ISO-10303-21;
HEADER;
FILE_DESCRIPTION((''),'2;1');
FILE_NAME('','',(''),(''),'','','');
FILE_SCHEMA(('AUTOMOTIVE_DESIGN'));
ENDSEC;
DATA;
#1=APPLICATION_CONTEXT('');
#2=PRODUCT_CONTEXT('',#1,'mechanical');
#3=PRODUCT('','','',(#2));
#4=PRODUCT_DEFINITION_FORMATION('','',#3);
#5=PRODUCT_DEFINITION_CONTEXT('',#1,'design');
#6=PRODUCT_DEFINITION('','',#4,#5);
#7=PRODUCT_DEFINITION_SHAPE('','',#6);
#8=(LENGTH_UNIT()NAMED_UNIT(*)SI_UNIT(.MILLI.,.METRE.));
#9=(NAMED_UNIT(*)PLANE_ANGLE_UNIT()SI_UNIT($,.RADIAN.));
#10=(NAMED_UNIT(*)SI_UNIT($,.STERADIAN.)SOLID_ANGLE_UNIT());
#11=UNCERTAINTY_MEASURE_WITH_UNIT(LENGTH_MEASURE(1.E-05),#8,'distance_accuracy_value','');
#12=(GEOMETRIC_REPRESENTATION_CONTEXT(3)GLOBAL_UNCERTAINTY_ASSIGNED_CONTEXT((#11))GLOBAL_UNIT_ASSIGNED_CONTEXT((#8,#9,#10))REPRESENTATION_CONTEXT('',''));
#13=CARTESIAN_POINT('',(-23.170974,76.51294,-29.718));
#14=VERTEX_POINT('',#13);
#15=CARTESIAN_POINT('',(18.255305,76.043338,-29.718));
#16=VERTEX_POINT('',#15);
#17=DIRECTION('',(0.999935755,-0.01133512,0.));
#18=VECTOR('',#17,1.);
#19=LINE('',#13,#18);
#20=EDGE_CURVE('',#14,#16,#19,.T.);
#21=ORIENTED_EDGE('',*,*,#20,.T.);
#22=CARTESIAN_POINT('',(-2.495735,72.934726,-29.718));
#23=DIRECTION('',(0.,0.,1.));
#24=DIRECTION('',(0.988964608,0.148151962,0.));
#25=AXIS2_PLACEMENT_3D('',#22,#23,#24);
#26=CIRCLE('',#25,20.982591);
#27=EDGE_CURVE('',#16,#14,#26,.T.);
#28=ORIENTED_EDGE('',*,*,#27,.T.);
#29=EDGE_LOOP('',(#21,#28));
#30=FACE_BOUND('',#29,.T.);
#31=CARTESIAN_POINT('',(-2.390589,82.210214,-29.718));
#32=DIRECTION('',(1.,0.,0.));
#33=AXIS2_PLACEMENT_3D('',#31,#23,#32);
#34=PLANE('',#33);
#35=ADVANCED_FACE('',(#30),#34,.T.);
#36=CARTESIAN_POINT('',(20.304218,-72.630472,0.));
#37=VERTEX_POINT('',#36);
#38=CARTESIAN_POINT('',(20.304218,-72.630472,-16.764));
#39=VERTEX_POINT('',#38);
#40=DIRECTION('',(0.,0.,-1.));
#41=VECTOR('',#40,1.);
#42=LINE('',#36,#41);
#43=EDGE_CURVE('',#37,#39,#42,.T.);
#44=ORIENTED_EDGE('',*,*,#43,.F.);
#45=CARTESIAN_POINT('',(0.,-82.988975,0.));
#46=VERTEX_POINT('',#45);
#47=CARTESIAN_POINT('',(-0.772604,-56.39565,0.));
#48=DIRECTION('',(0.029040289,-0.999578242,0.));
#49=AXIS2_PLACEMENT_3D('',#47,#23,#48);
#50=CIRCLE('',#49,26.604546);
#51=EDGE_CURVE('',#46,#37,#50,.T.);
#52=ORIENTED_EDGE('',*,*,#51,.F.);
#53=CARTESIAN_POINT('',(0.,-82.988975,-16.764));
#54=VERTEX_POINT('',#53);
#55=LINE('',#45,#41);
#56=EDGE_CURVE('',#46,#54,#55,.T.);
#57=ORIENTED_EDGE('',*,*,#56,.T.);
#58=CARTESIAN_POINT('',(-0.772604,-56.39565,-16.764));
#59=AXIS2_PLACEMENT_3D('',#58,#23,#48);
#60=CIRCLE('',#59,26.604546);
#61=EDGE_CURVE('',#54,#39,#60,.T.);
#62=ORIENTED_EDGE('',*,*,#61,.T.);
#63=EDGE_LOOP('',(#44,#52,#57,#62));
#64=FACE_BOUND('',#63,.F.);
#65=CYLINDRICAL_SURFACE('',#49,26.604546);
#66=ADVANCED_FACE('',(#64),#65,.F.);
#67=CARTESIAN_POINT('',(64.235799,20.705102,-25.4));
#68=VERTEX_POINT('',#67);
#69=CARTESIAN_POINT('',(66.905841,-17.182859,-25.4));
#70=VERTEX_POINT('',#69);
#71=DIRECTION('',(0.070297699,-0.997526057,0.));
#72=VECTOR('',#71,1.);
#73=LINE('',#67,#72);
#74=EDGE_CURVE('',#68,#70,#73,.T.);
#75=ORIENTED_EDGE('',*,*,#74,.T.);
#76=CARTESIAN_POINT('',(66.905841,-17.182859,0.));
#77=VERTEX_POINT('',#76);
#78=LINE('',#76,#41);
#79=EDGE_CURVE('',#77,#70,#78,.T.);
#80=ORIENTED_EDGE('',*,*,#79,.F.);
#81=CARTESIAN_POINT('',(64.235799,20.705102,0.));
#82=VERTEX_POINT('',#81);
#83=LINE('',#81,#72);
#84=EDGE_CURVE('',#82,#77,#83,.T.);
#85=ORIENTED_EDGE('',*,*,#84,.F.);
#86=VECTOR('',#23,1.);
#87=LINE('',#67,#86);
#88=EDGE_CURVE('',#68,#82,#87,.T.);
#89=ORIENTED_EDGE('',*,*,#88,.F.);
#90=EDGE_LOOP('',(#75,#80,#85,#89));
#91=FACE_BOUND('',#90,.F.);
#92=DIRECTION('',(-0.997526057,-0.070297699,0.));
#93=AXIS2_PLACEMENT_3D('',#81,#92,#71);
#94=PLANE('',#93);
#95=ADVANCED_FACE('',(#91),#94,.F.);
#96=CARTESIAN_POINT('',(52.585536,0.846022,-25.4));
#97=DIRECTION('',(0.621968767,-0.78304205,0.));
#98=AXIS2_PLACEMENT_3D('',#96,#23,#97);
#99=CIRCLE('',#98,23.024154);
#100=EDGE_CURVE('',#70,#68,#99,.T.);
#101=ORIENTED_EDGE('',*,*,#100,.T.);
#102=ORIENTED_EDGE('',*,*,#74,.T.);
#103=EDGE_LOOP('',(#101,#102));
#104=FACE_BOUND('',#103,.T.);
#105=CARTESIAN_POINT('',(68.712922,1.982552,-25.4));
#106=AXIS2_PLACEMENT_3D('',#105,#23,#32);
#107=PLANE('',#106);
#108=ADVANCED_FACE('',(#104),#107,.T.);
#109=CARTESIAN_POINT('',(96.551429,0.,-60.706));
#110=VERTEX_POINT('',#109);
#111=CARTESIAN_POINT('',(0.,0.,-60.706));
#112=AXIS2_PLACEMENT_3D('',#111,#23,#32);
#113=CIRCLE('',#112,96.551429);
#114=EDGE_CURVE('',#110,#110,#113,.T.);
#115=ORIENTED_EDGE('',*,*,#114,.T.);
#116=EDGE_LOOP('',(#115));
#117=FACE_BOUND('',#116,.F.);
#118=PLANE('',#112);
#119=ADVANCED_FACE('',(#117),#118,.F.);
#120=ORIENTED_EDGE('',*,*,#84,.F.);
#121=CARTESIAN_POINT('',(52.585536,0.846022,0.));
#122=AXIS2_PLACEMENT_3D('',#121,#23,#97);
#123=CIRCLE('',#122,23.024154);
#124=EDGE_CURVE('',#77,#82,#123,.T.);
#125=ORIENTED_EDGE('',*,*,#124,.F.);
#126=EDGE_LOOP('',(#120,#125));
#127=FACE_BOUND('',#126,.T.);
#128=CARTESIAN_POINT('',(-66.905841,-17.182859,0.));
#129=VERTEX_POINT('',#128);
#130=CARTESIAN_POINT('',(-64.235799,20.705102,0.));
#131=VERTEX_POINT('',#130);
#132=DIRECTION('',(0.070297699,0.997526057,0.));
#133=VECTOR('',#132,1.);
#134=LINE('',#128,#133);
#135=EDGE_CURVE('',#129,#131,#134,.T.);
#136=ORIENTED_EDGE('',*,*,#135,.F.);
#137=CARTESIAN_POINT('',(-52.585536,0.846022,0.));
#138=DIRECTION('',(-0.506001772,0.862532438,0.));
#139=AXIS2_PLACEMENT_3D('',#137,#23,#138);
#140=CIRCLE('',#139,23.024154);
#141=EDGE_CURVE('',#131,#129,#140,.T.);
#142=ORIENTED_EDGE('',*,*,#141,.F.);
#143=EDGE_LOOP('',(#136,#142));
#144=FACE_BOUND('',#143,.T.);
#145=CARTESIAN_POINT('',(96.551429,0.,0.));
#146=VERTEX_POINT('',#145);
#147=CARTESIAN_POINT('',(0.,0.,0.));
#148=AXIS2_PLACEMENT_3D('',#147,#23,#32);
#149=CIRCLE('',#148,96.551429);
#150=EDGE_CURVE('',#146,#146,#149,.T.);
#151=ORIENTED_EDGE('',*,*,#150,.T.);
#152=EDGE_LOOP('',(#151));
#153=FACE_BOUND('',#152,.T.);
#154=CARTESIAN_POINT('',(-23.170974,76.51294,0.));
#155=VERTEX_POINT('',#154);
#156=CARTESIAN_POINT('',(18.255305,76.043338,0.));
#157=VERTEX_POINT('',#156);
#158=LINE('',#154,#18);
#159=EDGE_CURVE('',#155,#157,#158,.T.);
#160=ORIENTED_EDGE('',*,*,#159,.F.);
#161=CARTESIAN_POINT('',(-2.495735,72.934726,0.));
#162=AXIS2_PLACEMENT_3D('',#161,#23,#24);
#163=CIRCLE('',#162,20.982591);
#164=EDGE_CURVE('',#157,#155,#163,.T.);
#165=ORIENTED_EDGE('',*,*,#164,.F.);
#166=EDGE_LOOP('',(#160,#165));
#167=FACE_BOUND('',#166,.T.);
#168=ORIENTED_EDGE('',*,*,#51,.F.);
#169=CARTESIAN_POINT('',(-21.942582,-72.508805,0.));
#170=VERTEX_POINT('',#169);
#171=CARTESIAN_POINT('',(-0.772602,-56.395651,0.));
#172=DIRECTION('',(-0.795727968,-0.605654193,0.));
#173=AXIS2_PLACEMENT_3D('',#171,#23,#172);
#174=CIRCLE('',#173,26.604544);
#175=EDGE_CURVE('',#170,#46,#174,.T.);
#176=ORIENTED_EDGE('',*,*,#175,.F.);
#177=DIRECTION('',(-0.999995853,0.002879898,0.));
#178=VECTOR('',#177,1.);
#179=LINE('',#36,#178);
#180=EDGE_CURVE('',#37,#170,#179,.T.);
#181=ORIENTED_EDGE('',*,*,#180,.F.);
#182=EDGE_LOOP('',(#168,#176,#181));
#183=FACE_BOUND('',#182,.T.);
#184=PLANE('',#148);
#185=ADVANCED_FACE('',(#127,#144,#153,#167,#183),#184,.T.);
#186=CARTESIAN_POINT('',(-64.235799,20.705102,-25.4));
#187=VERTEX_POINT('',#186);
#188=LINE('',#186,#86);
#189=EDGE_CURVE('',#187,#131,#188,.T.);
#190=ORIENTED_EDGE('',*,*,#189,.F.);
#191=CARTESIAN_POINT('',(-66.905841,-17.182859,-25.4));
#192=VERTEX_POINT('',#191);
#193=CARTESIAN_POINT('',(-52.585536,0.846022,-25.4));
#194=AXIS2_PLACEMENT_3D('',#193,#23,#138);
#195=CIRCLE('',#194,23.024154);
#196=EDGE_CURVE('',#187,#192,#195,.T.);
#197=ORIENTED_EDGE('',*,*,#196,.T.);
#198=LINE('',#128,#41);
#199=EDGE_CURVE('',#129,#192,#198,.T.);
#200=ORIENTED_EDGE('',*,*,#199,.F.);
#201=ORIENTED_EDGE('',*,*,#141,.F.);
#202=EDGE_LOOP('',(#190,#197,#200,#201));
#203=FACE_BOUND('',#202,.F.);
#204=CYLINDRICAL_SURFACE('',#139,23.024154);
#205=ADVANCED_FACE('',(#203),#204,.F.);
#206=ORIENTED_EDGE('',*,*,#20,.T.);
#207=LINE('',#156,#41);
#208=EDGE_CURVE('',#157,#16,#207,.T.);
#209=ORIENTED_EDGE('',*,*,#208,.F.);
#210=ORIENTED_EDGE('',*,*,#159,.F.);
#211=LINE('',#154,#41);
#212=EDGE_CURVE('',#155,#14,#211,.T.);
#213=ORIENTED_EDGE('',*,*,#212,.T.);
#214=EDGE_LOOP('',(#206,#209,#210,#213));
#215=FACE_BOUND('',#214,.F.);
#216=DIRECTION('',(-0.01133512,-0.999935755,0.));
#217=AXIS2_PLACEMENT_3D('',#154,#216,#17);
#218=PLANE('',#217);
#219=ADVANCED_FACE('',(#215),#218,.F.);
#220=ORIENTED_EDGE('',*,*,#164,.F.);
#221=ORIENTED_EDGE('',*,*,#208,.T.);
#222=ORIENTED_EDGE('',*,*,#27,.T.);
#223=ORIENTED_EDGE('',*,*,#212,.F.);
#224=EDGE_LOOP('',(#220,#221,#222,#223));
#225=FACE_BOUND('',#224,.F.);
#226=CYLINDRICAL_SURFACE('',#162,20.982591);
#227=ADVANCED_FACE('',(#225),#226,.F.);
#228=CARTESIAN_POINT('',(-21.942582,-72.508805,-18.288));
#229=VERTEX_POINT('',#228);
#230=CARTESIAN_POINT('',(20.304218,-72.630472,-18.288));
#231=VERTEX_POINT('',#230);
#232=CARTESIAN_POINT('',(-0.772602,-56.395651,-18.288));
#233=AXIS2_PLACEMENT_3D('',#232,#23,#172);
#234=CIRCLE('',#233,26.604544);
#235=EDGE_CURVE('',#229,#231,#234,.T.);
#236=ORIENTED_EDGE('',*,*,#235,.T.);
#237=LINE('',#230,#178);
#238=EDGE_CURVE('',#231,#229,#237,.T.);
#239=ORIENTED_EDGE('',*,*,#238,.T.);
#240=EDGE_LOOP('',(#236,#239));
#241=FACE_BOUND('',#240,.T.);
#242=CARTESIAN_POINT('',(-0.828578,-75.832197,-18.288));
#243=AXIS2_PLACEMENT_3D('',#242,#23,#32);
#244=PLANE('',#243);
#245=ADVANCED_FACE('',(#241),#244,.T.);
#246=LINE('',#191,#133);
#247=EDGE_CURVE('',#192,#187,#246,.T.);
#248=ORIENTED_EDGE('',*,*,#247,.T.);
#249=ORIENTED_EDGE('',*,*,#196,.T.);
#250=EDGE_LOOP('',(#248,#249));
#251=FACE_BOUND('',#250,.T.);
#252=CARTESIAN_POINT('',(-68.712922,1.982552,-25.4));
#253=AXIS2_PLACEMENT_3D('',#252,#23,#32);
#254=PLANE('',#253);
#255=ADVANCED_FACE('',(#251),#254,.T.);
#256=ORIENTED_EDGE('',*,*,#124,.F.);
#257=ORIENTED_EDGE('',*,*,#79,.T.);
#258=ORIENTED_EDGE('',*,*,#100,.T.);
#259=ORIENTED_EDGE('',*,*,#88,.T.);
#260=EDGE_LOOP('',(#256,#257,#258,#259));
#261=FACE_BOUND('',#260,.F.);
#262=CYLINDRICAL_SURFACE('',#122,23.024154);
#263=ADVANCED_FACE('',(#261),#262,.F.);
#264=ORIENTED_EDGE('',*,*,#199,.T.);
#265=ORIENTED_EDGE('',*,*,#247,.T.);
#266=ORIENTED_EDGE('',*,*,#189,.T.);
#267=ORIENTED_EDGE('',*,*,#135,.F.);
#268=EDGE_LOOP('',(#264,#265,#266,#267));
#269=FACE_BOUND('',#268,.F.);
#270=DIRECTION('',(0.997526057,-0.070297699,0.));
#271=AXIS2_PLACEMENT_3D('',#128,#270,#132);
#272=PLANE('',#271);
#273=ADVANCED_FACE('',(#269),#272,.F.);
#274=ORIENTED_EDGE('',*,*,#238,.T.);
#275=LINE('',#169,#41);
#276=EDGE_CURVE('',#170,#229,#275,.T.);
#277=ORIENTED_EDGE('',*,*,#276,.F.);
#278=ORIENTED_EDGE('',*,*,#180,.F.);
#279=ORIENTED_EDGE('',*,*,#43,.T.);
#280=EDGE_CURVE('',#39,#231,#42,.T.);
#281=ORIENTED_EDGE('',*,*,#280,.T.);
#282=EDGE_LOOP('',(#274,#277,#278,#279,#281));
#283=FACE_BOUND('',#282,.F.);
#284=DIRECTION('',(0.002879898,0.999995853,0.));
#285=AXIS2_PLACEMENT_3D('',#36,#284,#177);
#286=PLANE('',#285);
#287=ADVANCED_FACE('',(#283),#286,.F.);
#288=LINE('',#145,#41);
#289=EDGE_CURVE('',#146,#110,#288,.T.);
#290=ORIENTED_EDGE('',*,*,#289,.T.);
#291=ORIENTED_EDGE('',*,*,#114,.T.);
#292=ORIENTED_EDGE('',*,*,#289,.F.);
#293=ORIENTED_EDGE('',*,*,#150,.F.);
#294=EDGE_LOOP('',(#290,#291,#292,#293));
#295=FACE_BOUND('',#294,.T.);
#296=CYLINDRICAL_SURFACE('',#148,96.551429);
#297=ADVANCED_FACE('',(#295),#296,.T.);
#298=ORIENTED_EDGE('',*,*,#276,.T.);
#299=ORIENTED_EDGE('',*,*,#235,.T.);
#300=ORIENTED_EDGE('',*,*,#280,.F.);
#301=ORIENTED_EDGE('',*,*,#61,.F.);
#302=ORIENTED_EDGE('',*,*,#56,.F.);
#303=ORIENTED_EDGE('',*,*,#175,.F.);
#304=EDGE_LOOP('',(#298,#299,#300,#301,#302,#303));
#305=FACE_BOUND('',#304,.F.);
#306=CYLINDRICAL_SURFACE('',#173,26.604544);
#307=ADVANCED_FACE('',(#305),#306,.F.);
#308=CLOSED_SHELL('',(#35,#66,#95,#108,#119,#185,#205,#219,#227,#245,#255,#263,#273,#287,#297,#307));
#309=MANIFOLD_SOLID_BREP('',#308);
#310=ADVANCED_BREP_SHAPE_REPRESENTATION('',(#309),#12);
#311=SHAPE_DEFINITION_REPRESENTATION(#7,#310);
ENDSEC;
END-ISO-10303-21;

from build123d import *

# Parameters (mm, degrees)
F0_R      = 96.551429
F1_DEPTH  = 60.706
F4_DEPTH  = 16.764
F5_DEPTH  = 18.288
F7_DEPTH  = 29.718
F9_DEPTH  = 24.892
F10_DEPTH = 25.4


with BuildPart() as f1:
    # F0 (on Top) → F1 (new body)
    with BuildSketch(Plane.XY):
        Circle(F0_R)
    extrude(amount=-F1_DEPTH)

    # F3 (on face) → F4 (cut)
    with BuildSketch(Plane.XY):
        with BuildLine():
            Line((0, -72.571998), (0, -82.988975))
            ThreePointArc((0, -82.988975), (11.31764, -80.094339), (20.304218, -72.630472))
            Line((20.304218, -72.630472), (0, -72.571998))
        make_face()
    extrude(amount=-F4_DEPTH, mode=Mode.SUBTRACT)

    # F3 (on face) → F5 (cut)
    with BuildSketch(Plane.XY):
        with BuildLine():
            Line((20.304218, -72.630472), (-21.942582, -72.508805))
            ThreePointArc((-21.942582, -72.508805), (-0.849221, -83.000085), (20.304218, -72.630472))
        make_face()
    extrude(amount=-F5_DEPTH, mode=Mode.SUBTRACT)

    # F6 (on Top) → F7 (cut)
    with BuildSketch(Plane.XY):
        with BuildLine():
            Line((-23.170974, 76.51294), (18.255305, 76.043338))
            ThreePointArc((18.255305, 76.043338), (-2.257895, 93.915969), (-23.170974, 76.51294))
        make_face()
    extrude(amount=-F7_DEPTH, mode=Mode.SUBTRACT)

    # F8 (on Top) → F9 (cut)
    with BuildSketch(Plane.XY):
        with BuildLine():
            Line((64.235799, 20.705102), (66.905841, -17.182859))
            ThreePointArc((66.905841, -17.182859), (75.55273, 2.464567), (64.235799, 20.705102))
        make_face()
        with BuildLine():
            ThreePointArc((-64.235799, 20.705102), (-75.55273, 2.464567), (-66.905841, -17.182859))
            Line((-66.905841, -17.182859), (-64.235799, 20.705102))
        make_face()
    extrude(amount=-F9_DEPTH, mode=Mode.SUBTRACT)

    # F8 (on Top) → F10 (cut)
    with BuildSketch(Plane.XY):
        with BuildLine():
            Line((64.235799, 20.705102), (66.905841, -17.182859))
            ThreePointArc((66.905841, -17.182859), (75.55273, 2.464567), (64.235799, 20.705102))
        make_face()
        with BuildLine():
            ThreePointArc((-64.235799, 20.705102), (-75.55273, 2.464567), (-66.905841, -17.182859))
            Line((-66.905841, -17.182859), (-64.235799, 20.705102))
        make_face()
    extrude(amount=-F10_DEPTH, mode=Mode.SUBTRACT)


solid = f1.part
